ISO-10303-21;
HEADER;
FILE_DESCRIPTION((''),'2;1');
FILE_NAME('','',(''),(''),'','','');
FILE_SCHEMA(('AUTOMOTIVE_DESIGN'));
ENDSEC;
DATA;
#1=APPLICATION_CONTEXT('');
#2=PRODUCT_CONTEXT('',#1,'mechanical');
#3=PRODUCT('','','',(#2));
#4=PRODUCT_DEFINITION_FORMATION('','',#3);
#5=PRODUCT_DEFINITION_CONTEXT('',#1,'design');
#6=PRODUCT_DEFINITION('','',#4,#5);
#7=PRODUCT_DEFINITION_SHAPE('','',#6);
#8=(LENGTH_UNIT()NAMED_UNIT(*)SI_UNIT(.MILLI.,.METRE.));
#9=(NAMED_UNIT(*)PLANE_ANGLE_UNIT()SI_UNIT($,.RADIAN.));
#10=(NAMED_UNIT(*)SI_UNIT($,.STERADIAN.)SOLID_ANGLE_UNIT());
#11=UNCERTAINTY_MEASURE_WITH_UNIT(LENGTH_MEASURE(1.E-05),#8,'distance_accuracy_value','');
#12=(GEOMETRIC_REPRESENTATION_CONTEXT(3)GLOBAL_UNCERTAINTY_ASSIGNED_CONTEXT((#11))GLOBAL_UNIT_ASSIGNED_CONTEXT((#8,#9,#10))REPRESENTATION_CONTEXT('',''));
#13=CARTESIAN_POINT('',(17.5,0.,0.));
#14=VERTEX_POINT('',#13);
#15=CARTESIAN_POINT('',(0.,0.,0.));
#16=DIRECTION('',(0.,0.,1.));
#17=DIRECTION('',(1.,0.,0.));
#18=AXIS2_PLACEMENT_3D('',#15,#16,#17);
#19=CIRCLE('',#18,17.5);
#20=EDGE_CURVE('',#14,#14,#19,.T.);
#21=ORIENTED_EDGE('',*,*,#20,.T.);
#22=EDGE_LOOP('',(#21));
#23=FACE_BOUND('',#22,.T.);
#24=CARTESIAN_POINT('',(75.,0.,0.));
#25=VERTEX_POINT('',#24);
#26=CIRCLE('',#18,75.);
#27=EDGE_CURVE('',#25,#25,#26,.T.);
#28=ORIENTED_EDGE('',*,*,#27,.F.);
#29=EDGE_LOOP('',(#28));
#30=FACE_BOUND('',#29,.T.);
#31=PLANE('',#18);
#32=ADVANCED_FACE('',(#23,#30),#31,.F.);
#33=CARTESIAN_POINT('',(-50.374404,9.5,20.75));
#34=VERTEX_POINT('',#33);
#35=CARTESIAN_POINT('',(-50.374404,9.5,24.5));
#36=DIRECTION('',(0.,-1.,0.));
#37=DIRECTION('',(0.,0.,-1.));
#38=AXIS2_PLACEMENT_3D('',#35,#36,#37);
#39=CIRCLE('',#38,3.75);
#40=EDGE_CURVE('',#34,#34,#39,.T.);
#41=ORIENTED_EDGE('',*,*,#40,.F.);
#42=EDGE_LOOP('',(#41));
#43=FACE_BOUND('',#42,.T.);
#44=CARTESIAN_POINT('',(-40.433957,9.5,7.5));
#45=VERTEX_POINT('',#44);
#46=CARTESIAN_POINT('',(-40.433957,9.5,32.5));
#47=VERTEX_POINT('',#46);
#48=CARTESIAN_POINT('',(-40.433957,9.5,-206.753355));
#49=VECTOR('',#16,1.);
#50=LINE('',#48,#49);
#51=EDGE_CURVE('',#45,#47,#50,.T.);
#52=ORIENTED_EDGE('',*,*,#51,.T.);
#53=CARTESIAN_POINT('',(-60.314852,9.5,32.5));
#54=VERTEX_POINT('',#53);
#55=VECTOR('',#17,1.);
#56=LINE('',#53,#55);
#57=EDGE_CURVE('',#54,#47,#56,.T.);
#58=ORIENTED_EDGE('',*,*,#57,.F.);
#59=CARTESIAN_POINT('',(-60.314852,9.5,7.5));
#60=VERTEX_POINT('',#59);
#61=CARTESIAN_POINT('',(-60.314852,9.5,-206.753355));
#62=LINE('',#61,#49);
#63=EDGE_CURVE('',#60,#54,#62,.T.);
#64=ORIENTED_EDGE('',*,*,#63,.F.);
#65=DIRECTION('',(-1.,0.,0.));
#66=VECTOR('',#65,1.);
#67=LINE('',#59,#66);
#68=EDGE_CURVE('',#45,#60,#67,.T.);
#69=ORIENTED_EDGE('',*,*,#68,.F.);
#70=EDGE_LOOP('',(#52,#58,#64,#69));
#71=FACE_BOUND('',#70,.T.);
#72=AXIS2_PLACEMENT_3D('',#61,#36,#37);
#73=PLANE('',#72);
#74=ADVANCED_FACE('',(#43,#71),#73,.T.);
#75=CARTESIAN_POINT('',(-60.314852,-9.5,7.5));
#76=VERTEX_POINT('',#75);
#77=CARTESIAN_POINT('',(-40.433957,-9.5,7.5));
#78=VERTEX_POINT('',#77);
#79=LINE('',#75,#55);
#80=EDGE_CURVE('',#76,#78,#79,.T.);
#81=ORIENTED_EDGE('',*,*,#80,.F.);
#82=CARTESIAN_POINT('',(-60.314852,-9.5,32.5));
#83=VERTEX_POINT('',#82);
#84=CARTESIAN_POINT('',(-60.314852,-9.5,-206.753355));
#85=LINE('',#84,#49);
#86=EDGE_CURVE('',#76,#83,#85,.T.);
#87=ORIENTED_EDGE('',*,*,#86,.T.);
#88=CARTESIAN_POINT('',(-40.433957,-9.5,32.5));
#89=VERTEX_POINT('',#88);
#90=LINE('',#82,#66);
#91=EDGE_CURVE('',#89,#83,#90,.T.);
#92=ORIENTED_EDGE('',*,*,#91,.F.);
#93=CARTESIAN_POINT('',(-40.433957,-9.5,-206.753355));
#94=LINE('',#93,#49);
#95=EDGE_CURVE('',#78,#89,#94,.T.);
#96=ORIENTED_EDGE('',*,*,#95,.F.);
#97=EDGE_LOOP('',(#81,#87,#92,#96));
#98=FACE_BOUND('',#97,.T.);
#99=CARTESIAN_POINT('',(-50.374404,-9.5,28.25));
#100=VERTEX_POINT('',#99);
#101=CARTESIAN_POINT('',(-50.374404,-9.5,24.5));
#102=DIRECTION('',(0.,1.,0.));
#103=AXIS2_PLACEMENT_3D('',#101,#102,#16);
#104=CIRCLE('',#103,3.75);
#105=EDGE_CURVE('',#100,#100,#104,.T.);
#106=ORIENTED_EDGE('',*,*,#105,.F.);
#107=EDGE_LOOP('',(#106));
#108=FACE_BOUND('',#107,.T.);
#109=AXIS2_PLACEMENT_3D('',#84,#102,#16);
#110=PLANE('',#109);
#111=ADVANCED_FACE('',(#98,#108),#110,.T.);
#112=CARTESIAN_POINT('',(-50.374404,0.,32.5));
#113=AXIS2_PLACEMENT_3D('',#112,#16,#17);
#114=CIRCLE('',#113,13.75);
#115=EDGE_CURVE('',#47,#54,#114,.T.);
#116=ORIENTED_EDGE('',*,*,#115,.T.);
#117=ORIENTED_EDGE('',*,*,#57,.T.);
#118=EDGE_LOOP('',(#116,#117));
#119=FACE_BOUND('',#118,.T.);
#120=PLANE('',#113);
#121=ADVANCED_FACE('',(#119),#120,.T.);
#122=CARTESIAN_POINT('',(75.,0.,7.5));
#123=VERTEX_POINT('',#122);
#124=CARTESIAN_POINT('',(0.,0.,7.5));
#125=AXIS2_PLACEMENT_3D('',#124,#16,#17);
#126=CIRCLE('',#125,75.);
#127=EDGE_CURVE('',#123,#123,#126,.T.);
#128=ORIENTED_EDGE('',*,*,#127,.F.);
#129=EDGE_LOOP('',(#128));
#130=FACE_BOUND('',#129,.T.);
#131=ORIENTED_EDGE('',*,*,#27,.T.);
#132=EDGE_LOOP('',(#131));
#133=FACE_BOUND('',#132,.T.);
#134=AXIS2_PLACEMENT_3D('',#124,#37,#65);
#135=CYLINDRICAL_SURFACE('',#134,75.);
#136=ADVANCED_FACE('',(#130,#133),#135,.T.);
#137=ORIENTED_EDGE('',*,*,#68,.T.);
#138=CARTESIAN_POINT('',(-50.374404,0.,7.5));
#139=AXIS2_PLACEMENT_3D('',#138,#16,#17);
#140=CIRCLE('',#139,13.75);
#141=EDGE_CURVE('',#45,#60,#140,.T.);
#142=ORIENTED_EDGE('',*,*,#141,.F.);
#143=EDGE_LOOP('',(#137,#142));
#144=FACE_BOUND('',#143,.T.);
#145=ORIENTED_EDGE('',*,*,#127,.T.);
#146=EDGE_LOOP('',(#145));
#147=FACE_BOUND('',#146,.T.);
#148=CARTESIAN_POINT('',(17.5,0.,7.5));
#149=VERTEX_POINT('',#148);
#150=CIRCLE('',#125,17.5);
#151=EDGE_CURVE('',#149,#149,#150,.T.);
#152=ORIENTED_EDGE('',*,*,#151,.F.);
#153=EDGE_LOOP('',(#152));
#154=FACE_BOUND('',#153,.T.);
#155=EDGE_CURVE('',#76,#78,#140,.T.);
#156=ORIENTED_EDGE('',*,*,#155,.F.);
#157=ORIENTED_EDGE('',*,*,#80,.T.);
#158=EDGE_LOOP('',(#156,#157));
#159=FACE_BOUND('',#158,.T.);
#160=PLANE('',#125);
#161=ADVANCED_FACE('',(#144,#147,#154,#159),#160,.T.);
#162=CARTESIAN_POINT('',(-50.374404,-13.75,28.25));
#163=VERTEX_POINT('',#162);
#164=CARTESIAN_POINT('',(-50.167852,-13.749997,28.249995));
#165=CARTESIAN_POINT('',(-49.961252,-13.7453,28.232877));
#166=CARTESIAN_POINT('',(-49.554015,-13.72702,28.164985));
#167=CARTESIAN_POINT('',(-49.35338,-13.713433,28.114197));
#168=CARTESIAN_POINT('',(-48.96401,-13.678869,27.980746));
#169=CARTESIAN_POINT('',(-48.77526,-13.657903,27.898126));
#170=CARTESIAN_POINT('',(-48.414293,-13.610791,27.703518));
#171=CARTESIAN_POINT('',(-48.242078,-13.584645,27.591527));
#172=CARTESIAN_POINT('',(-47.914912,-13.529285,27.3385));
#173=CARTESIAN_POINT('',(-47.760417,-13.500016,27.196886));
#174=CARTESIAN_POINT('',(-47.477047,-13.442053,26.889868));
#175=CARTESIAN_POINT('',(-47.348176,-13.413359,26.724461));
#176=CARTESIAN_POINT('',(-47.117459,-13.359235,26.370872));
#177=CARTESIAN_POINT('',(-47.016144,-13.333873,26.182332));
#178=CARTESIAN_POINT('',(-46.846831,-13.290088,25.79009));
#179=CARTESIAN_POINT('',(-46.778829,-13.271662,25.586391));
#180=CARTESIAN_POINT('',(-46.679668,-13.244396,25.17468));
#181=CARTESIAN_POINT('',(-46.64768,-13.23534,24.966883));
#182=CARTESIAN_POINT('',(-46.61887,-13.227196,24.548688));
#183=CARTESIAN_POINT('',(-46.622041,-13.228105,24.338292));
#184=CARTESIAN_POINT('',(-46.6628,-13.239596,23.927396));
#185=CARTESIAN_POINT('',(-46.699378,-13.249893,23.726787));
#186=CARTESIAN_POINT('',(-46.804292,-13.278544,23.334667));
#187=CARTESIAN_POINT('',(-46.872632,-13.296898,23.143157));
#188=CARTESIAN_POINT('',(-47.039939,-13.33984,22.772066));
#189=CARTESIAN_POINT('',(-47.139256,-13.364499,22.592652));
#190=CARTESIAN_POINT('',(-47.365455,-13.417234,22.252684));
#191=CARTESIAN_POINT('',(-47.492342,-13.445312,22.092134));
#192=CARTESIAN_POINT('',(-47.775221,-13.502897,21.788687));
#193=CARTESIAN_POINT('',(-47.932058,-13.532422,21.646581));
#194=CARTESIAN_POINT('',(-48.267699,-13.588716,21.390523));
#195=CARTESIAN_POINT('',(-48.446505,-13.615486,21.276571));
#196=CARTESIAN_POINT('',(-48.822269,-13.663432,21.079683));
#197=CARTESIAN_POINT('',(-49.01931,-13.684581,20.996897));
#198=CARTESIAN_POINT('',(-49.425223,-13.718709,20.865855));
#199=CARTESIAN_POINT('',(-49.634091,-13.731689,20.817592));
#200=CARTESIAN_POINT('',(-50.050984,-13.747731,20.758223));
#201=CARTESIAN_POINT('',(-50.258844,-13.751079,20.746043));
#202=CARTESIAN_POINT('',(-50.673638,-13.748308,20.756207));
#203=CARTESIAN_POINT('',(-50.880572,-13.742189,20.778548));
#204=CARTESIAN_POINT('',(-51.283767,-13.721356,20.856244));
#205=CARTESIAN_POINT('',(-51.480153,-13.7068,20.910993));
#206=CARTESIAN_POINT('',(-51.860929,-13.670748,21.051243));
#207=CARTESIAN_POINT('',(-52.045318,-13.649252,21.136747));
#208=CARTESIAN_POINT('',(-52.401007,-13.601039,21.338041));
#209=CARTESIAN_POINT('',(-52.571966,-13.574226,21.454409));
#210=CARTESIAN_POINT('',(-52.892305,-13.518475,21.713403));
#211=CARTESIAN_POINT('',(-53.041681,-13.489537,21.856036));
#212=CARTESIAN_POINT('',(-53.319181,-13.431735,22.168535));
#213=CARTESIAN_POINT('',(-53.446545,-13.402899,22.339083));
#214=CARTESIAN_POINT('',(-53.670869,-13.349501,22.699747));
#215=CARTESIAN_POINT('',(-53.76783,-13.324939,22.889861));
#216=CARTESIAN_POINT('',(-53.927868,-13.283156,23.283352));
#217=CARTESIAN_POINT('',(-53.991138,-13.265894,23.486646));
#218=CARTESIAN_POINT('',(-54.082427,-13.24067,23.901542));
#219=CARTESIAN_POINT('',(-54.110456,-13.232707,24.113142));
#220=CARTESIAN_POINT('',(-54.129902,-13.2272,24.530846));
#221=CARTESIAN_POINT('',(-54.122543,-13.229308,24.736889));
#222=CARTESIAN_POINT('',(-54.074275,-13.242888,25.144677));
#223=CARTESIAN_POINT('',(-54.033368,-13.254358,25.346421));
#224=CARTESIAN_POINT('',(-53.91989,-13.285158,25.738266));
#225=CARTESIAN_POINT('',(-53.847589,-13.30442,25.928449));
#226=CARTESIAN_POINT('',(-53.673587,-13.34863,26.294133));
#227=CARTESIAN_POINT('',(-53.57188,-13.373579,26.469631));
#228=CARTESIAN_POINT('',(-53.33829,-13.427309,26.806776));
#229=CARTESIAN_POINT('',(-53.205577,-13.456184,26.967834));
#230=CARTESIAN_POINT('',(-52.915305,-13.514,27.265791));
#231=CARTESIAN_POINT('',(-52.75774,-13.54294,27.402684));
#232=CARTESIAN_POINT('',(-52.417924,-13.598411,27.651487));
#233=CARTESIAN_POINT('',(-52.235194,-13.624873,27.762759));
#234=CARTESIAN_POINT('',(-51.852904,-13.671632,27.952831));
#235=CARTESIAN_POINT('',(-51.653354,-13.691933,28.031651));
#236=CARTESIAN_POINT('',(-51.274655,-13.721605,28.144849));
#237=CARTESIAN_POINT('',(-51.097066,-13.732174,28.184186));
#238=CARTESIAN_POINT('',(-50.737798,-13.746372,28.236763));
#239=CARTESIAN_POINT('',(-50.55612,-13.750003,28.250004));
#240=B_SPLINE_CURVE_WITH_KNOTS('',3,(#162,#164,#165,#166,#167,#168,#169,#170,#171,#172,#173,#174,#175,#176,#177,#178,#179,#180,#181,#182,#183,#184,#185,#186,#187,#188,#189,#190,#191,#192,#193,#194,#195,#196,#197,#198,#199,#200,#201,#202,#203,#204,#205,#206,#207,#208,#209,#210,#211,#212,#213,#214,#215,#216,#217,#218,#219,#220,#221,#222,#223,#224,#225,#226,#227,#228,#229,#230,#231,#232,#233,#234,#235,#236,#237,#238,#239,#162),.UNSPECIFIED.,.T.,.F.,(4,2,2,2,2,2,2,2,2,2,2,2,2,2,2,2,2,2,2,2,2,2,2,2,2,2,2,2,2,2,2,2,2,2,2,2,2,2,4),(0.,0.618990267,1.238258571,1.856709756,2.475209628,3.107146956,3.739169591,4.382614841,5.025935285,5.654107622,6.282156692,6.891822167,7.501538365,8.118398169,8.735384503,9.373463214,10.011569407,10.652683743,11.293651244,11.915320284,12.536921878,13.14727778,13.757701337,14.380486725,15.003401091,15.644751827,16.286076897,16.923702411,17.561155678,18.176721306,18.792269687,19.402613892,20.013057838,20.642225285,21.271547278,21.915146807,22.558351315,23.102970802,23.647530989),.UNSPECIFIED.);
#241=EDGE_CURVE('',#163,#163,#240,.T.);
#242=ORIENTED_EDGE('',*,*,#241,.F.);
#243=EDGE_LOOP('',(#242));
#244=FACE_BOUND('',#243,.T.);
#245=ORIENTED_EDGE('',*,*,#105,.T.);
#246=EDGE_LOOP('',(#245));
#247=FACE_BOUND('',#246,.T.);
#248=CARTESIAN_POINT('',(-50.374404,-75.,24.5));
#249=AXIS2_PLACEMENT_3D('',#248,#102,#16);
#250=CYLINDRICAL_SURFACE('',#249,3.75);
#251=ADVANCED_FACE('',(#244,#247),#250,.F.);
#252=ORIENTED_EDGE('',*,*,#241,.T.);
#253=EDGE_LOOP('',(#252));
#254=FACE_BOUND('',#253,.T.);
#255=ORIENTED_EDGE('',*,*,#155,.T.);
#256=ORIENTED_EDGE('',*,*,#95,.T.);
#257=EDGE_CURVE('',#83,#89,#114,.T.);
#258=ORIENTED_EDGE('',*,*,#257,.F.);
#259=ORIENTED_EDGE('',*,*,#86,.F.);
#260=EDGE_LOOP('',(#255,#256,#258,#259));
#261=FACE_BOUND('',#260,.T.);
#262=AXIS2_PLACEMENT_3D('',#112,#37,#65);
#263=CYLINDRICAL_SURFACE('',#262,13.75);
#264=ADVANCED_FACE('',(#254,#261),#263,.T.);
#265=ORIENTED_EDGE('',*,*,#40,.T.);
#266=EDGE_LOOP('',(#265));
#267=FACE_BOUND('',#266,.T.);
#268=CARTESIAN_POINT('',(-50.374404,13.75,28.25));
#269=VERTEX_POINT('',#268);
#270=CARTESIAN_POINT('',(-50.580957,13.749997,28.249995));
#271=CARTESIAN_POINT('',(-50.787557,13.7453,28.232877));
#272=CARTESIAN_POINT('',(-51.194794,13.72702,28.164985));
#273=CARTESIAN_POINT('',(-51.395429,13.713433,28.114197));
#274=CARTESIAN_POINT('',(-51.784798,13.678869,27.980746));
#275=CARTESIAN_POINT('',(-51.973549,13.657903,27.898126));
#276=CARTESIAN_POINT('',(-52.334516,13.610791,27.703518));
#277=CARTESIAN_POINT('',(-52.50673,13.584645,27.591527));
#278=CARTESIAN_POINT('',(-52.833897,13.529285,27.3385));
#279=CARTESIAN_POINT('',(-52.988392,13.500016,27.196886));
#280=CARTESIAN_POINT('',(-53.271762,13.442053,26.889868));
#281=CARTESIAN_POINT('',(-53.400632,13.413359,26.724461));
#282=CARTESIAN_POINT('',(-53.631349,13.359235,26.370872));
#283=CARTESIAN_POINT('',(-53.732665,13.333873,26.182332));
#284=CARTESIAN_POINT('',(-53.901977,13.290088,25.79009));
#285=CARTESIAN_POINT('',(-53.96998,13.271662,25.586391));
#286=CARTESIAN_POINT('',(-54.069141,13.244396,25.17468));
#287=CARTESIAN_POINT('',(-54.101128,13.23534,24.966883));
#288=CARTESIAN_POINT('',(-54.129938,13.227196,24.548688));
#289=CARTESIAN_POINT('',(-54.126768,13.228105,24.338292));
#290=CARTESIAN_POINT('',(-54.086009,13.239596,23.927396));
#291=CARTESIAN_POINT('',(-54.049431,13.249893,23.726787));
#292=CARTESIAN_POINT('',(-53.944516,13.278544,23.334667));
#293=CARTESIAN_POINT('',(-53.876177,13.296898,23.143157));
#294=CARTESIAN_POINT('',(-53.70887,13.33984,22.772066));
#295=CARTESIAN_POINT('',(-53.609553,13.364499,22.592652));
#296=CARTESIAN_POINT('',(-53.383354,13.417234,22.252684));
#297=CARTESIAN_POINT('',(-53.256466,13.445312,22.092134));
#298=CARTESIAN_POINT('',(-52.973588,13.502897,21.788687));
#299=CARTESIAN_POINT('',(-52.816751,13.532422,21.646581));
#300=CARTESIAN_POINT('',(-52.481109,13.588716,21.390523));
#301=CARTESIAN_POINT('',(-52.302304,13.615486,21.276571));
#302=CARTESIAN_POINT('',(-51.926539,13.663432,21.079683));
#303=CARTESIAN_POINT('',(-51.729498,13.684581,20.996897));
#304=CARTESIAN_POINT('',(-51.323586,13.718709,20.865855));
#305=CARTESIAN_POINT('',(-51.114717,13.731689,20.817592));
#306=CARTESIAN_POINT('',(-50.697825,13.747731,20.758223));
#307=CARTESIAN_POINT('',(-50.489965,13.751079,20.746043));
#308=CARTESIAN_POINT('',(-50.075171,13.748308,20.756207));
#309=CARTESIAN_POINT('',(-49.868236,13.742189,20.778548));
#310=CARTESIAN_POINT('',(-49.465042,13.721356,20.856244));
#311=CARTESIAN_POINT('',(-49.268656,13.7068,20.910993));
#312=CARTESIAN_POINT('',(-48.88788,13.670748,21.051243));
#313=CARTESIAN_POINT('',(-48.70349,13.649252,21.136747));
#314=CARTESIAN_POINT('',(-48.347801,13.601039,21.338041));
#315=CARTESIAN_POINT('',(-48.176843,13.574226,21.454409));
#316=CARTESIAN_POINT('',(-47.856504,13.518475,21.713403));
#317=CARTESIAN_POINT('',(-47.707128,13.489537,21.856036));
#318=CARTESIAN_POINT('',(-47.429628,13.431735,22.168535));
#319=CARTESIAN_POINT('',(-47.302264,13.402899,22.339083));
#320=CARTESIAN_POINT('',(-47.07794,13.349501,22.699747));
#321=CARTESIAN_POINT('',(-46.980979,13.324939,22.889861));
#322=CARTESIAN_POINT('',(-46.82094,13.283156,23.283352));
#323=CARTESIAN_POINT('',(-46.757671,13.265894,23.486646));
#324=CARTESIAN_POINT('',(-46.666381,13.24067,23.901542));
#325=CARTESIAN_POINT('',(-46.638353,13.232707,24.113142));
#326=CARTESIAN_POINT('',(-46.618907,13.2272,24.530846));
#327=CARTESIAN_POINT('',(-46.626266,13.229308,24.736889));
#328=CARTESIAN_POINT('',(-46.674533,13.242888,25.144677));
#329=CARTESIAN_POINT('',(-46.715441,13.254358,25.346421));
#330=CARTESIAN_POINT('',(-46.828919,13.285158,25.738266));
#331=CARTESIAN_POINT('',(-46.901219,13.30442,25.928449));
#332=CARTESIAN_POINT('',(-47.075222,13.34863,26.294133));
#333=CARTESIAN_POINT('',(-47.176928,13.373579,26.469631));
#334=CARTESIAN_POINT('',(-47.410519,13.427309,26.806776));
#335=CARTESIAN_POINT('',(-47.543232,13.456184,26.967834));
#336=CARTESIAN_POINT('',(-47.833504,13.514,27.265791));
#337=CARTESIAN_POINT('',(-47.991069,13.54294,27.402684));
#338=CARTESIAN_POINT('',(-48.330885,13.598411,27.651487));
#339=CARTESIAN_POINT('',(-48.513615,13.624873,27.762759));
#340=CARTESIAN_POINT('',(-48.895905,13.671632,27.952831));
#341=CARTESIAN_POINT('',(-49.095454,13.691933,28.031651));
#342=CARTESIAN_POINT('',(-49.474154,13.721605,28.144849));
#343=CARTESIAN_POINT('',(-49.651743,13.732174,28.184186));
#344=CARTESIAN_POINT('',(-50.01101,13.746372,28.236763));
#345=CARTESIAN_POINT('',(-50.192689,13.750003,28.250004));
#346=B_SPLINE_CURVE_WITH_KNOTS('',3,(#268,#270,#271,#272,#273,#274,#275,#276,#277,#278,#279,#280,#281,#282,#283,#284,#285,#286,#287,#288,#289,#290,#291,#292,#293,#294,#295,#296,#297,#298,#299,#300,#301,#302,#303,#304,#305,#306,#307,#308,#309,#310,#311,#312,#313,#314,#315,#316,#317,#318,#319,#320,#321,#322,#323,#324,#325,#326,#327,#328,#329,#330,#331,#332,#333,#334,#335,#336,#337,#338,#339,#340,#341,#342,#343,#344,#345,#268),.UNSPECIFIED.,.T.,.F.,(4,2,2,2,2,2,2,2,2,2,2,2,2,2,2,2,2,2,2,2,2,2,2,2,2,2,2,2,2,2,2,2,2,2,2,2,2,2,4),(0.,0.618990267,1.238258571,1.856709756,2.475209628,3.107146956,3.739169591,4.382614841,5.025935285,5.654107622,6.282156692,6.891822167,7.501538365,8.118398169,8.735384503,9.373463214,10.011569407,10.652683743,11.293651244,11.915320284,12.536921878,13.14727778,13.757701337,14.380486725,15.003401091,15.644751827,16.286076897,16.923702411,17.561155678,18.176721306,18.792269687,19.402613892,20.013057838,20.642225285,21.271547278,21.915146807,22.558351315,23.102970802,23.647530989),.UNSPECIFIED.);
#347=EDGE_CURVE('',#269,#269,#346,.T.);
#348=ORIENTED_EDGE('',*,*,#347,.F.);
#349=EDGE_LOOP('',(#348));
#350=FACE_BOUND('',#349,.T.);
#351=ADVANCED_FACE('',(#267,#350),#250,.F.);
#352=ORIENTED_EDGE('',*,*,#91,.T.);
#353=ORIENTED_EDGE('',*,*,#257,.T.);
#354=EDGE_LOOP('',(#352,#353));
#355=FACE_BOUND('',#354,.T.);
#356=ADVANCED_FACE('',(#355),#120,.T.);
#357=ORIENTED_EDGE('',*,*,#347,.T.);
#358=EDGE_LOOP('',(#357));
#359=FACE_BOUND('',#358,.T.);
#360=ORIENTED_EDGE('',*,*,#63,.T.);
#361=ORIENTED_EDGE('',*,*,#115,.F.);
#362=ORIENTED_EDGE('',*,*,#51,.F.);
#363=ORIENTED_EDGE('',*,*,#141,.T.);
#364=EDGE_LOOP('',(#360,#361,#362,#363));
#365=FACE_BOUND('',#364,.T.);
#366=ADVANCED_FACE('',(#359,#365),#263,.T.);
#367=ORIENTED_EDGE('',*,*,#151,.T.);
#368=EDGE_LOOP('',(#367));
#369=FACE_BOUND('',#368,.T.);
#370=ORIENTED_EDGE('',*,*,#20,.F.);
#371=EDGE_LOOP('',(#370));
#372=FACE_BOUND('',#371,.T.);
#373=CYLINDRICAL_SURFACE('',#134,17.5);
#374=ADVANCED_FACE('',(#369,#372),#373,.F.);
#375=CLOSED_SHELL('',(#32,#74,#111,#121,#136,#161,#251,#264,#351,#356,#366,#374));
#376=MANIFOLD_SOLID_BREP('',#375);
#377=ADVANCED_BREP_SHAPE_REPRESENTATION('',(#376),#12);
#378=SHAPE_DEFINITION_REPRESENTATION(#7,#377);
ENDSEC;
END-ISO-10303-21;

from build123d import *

# Parameters (mm, degrees)
SKETCH1_R               = 75
SKETCH1_R_2             = 17.5
BOSS_EXTRUDE2_DEPTH     = 7.5
SKETCH2_R               = 13.75
BOSS_EXTRUDE3_DEPTH     = 25
SKETCH3_OUTSIDE_W       = 194.922
SKETCH3_OUTSIDE_H       = 194.922
CUT_EXTRUDE3_DEPTH      = 25
SKETCH6_R               = 3.75
CUT_EXTRUDE4_DEPTH      = 85.5
CUT_EXTRUDE4_DEPTH_BACK = 66.5


with BuildPart() as part:
    # Sketch1 → Boss-Extrude2 (new body)
    with BuildSketch(Plane.XY):
        Circle(SKETCH1_R)
        Circle(SKETCH1_R_2, mode=Mode.SUBTRACT)
    extrude(amount=BOSS_EXTRUDE2_DEPTH)

    # Sketch2 → Boss-Extrude3 (add)
    with BuildSketch(Plane.XY.offset(7.5)):
        with Locations((-50.374404357, 0)):
            Circle(SKETCH2_R)
    extrude(amount=BOSS_EXTRUDE3_DEPTH)

    # Sketch3 outside → Cut-Extrude3 (cut)
    with BuildSketch(Plane.XY.offset(32.5)):
        Rectangle(SKETCH3_OUTSIDE_W, SKETCH3_OUTSIDE_H)
        with BuildLine():
            Line((-60.314852033, 9.5), (-40.433956681, 9.5))
            ThreePointArc((-40.433956681, 9.5), (-50.374404357, 13.75), (-60.314852033, 9.5))
        make_face(mode=Mode.SUBTRACT)
        with BuildLine():
            Line((-60.314852033, -9.5), (-40.433956681, -9.5))
            ThreePointArc((-40.433956681, -9.5), (-50.374404357, -13.75), (-60.314852033, -9.5))
        make_face(mode=Mode.SUBTRACT)
    extrude(amount=-CUT_EXTRUDE3_DEPTH, mode=Mode.SUBTRACT)

    # Sketch6 → Cut-Extrude4 (cut, two sides)
    with BuildSketch(Plane(origin=(0, -9.5, 0), x_dir=(1, 0, 0), z_dir=(0, 1, 0))) as cut_extrude4_sk:
        with Locations((-50.374404357, -24.5)):
            Circle(SKETCH6_R)
    extrude(amount=CUT_EXTRUDE4_DEPTH, mode=Mode.SUBTRACT)
    extrude(cut_extrude4_sk.sketch, amount=-CUT_EXTRUDE4_DEPTH_BACK, mode=Mode.SUBTRACT)


solid = part.part
